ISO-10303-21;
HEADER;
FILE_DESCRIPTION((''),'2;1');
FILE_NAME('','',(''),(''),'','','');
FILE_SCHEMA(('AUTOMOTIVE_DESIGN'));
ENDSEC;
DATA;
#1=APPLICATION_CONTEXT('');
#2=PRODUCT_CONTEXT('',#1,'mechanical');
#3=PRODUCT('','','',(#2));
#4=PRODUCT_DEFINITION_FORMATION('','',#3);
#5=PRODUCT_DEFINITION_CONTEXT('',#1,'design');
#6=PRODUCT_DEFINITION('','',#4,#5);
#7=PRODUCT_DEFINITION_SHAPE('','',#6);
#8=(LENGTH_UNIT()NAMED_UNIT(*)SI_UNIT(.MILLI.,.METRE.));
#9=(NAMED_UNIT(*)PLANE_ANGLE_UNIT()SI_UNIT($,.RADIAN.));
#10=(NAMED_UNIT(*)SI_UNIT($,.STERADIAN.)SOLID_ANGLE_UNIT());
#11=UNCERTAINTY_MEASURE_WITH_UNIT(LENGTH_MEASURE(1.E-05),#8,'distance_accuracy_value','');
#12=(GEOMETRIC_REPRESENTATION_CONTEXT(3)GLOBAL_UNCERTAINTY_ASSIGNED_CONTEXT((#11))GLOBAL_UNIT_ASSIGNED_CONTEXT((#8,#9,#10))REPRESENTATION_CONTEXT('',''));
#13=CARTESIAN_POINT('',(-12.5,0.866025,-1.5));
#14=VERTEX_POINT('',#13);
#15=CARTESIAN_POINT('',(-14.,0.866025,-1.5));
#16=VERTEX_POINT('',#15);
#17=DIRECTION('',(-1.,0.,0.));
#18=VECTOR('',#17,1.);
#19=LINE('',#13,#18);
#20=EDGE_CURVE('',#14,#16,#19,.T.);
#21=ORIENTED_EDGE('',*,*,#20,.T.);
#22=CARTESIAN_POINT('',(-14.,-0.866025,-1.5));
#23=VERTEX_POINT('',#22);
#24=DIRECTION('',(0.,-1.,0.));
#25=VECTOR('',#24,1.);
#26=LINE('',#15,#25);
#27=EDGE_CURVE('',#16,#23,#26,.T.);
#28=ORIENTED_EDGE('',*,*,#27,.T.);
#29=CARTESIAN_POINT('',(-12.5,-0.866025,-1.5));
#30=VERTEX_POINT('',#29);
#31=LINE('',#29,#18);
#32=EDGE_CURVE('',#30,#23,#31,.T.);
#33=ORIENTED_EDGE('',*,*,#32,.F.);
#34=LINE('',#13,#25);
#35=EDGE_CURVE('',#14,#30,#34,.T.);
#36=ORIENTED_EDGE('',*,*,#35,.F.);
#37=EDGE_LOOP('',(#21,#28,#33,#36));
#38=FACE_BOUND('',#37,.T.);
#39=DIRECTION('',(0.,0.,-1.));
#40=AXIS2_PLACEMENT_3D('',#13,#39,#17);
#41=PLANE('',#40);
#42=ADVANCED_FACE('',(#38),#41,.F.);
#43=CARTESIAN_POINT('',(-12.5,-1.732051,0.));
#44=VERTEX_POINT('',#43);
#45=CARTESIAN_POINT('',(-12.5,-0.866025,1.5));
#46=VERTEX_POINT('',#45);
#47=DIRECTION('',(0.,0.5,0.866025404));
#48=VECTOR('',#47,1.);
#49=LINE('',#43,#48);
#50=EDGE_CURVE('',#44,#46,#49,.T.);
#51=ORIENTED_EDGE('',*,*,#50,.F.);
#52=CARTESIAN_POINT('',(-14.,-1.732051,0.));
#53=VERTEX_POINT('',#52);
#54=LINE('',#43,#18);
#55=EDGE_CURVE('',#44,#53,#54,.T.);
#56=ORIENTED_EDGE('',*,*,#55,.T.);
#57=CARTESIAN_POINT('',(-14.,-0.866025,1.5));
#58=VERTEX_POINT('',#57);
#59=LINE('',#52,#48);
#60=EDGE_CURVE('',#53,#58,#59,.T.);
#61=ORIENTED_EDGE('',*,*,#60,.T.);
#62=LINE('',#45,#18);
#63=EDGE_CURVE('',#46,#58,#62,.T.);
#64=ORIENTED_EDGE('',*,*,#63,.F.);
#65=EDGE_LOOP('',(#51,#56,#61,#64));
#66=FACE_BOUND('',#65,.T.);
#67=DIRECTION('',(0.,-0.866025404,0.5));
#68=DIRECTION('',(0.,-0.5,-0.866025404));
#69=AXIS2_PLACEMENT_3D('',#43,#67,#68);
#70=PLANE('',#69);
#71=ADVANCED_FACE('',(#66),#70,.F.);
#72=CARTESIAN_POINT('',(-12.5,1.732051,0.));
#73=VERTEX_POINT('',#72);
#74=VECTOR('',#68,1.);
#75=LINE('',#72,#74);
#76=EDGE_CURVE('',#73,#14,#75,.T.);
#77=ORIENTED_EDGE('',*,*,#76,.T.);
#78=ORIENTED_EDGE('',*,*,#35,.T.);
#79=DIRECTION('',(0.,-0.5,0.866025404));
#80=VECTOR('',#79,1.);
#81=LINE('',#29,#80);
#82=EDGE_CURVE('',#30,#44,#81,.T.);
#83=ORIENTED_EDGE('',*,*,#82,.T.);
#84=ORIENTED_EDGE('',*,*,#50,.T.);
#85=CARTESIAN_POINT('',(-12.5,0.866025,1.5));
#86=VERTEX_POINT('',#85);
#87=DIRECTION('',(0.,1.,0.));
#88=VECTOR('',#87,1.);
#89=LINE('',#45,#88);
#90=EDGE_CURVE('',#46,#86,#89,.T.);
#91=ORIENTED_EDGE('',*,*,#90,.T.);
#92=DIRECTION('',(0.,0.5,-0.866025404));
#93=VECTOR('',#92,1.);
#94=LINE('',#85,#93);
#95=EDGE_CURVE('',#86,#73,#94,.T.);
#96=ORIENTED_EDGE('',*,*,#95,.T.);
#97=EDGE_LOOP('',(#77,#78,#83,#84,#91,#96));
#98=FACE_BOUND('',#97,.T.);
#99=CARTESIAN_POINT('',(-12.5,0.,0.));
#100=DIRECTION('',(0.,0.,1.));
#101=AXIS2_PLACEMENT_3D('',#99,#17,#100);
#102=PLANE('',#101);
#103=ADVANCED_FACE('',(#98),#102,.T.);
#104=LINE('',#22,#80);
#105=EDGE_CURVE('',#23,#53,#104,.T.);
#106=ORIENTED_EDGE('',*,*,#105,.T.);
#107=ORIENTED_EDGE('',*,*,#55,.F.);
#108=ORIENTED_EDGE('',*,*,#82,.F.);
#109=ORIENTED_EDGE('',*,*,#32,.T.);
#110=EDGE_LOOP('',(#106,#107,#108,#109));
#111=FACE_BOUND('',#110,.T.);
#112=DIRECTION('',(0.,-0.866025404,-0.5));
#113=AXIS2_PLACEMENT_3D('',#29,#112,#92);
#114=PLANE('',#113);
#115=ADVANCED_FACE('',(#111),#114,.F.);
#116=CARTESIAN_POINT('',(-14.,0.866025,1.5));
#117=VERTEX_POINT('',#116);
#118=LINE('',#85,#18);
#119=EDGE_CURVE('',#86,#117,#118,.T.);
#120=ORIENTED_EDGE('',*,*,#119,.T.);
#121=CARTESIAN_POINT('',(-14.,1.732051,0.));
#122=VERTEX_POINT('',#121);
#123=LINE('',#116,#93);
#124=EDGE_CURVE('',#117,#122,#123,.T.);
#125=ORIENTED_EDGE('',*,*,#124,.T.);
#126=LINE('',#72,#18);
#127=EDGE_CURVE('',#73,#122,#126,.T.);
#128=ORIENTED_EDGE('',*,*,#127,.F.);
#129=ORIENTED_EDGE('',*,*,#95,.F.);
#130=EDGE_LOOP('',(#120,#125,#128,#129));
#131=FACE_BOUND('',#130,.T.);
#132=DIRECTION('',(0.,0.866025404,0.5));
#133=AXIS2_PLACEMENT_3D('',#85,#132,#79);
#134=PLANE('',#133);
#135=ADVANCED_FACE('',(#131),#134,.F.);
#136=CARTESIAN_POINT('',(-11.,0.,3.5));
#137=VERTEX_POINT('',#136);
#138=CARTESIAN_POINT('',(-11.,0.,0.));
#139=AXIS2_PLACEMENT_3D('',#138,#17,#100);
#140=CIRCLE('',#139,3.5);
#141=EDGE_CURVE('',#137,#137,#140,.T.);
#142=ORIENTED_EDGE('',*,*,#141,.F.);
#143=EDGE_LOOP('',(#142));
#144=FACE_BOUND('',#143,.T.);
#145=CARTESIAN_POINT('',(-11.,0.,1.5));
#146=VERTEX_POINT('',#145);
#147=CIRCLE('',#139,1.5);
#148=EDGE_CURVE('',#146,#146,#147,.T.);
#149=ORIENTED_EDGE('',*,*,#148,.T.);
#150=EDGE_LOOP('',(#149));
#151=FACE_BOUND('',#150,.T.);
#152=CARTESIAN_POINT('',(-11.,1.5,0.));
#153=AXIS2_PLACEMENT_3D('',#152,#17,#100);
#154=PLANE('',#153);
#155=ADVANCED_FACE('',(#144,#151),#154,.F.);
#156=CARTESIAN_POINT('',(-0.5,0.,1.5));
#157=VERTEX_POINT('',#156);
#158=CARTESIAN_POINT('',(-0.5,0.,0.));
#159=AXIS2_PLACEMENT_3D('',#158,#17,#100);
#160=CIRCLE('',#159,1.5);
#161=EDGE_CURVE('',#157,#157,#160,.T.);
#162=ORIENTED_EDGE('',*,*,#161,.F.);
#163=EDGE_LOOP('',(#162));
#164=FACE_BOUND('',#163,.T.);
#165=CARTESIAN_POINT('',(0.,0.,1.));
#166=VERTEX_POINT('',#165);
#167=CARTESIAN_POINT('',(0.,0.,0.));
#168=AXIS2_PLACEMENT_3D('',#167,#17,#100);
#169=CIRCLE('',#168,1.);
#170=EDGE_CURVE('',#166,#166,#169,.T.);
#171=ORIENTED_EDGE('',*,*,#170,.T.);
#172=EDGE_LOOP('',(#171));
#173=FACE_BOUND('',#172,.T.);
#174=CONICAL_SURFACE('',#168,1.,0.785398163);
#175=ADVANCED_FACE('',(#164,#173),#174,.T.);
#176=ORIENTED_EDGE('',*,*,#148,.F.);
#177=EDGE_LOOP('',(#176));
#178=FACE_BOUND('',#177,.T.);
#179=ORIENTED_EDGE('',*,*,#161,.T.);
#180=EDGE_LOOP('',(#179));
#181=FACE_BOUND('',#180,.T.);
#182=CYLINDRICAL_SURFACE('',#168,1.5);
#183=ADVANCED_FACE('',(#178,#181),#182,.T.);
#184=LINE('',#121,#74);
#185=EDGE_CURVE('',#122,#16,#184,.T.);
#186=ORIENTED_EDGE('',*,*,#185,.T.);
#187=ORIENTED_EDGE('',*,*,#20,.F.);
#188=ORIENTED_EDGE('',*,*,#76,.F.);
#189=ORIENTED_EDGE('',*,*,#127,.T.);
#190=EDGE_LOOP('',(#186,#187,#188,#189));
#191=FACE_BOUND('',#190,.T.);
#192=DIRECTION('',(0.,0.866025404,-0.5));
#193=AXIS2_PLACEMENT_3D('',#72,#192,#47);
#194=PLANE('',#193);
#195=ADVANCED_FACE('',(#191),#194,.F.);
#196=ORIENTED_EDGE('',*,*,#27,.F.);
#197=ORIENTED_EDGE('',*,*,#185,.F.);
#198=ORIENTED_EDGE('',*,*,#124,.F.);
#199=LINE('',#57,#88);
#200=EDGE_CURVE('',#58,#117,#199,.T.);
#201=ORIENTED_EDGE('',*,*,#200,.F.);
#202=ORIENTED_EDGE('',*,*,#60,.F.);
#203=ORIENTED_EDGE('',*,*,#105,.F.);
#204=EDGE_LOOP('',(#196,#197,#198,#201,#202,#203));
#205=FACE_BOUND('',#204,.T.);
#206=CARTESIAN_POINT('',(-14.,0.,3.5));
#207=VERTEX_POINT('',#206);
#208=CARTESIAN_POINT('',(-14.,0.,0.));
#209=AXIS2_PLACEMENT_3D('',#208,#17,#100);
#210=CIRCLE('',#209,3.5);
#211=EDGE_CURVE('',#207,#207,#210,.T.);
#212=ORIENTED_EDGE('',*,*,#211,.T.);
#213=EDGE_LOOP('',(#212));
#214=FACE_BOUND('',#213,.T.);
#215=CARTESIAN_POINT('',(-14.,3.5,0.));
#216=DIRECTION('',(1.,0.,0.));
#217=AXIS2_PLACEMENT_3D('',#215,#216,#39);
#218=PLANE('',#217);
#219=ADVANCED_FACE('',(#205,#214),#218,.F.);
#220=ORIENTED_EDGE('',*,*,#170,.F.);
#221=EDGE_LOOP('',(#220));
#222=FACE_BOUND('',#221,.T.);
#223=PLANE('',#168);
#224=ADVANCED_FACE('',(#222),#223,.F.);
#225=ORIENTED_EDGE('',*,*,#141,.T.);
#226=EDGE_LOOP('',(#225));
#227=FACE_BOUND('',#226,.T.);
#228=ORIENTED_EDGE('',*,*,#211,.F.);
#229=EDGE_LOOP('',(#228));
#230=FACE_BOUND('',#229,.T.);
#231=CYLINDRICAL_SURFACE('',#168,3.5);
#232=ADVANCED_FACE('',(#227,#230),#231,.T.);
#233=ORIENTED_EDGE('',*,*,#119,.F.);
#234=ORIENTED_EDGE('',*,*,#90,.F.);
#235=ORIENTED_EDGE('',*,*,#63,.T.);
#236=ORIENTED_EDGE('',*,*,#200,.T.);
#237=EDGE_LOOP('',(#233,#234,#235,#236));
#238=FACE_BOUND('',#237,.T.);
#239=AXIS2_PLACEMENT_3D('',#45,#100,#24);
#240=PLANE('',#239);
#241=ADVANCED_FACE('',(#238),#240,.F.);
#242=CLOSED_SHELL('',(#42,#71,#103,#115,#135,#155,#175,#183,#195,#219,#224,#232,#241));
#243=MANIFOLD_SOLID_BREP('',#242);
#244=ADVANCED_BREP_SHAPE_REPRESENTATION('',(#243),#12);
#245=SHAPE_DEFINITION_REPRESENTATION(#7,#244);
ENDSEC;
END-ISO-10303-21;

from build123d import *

# Parameters (mm, degrees)
CUT_EXTRUDE1_DEPTH = 1.5


with BuildPart() as part:
    # Sketch1 → Revolve1 (revolve)
    with BuildSketch(Plane.XY, mode=Mode.PRIVATE) as revolve1_sk:
        Polygon((0, 0), (0, 1), (-0.5, 1.5), (-11, 1.5), (-11, 3.5), (-14, 3.5), (-14, 0), align=None)
    revolve(revolve1_sk.sketch.rotate(Axis((0, 0, 0), (1, 0, 0)), 90), axis=Axis((0, 0, 0), (1, 0, 0)))

    # Sketch2 → Cut-Extrude1 (cut)
    with BuildSketch(Plane.ZY.offset(14)):
        Polygon((0, 1.732050808), (-1.5, 0.866025404), (-1.5, -0.866025404), (0, -1.732050808), (1.5, -0.866025404), (1.5, 0.866025404), align=None)
    extrude(amount=-CUT_EXTRUDE1_DEPTH, mode=Mode.SUBTRACT)


solid = part.part
